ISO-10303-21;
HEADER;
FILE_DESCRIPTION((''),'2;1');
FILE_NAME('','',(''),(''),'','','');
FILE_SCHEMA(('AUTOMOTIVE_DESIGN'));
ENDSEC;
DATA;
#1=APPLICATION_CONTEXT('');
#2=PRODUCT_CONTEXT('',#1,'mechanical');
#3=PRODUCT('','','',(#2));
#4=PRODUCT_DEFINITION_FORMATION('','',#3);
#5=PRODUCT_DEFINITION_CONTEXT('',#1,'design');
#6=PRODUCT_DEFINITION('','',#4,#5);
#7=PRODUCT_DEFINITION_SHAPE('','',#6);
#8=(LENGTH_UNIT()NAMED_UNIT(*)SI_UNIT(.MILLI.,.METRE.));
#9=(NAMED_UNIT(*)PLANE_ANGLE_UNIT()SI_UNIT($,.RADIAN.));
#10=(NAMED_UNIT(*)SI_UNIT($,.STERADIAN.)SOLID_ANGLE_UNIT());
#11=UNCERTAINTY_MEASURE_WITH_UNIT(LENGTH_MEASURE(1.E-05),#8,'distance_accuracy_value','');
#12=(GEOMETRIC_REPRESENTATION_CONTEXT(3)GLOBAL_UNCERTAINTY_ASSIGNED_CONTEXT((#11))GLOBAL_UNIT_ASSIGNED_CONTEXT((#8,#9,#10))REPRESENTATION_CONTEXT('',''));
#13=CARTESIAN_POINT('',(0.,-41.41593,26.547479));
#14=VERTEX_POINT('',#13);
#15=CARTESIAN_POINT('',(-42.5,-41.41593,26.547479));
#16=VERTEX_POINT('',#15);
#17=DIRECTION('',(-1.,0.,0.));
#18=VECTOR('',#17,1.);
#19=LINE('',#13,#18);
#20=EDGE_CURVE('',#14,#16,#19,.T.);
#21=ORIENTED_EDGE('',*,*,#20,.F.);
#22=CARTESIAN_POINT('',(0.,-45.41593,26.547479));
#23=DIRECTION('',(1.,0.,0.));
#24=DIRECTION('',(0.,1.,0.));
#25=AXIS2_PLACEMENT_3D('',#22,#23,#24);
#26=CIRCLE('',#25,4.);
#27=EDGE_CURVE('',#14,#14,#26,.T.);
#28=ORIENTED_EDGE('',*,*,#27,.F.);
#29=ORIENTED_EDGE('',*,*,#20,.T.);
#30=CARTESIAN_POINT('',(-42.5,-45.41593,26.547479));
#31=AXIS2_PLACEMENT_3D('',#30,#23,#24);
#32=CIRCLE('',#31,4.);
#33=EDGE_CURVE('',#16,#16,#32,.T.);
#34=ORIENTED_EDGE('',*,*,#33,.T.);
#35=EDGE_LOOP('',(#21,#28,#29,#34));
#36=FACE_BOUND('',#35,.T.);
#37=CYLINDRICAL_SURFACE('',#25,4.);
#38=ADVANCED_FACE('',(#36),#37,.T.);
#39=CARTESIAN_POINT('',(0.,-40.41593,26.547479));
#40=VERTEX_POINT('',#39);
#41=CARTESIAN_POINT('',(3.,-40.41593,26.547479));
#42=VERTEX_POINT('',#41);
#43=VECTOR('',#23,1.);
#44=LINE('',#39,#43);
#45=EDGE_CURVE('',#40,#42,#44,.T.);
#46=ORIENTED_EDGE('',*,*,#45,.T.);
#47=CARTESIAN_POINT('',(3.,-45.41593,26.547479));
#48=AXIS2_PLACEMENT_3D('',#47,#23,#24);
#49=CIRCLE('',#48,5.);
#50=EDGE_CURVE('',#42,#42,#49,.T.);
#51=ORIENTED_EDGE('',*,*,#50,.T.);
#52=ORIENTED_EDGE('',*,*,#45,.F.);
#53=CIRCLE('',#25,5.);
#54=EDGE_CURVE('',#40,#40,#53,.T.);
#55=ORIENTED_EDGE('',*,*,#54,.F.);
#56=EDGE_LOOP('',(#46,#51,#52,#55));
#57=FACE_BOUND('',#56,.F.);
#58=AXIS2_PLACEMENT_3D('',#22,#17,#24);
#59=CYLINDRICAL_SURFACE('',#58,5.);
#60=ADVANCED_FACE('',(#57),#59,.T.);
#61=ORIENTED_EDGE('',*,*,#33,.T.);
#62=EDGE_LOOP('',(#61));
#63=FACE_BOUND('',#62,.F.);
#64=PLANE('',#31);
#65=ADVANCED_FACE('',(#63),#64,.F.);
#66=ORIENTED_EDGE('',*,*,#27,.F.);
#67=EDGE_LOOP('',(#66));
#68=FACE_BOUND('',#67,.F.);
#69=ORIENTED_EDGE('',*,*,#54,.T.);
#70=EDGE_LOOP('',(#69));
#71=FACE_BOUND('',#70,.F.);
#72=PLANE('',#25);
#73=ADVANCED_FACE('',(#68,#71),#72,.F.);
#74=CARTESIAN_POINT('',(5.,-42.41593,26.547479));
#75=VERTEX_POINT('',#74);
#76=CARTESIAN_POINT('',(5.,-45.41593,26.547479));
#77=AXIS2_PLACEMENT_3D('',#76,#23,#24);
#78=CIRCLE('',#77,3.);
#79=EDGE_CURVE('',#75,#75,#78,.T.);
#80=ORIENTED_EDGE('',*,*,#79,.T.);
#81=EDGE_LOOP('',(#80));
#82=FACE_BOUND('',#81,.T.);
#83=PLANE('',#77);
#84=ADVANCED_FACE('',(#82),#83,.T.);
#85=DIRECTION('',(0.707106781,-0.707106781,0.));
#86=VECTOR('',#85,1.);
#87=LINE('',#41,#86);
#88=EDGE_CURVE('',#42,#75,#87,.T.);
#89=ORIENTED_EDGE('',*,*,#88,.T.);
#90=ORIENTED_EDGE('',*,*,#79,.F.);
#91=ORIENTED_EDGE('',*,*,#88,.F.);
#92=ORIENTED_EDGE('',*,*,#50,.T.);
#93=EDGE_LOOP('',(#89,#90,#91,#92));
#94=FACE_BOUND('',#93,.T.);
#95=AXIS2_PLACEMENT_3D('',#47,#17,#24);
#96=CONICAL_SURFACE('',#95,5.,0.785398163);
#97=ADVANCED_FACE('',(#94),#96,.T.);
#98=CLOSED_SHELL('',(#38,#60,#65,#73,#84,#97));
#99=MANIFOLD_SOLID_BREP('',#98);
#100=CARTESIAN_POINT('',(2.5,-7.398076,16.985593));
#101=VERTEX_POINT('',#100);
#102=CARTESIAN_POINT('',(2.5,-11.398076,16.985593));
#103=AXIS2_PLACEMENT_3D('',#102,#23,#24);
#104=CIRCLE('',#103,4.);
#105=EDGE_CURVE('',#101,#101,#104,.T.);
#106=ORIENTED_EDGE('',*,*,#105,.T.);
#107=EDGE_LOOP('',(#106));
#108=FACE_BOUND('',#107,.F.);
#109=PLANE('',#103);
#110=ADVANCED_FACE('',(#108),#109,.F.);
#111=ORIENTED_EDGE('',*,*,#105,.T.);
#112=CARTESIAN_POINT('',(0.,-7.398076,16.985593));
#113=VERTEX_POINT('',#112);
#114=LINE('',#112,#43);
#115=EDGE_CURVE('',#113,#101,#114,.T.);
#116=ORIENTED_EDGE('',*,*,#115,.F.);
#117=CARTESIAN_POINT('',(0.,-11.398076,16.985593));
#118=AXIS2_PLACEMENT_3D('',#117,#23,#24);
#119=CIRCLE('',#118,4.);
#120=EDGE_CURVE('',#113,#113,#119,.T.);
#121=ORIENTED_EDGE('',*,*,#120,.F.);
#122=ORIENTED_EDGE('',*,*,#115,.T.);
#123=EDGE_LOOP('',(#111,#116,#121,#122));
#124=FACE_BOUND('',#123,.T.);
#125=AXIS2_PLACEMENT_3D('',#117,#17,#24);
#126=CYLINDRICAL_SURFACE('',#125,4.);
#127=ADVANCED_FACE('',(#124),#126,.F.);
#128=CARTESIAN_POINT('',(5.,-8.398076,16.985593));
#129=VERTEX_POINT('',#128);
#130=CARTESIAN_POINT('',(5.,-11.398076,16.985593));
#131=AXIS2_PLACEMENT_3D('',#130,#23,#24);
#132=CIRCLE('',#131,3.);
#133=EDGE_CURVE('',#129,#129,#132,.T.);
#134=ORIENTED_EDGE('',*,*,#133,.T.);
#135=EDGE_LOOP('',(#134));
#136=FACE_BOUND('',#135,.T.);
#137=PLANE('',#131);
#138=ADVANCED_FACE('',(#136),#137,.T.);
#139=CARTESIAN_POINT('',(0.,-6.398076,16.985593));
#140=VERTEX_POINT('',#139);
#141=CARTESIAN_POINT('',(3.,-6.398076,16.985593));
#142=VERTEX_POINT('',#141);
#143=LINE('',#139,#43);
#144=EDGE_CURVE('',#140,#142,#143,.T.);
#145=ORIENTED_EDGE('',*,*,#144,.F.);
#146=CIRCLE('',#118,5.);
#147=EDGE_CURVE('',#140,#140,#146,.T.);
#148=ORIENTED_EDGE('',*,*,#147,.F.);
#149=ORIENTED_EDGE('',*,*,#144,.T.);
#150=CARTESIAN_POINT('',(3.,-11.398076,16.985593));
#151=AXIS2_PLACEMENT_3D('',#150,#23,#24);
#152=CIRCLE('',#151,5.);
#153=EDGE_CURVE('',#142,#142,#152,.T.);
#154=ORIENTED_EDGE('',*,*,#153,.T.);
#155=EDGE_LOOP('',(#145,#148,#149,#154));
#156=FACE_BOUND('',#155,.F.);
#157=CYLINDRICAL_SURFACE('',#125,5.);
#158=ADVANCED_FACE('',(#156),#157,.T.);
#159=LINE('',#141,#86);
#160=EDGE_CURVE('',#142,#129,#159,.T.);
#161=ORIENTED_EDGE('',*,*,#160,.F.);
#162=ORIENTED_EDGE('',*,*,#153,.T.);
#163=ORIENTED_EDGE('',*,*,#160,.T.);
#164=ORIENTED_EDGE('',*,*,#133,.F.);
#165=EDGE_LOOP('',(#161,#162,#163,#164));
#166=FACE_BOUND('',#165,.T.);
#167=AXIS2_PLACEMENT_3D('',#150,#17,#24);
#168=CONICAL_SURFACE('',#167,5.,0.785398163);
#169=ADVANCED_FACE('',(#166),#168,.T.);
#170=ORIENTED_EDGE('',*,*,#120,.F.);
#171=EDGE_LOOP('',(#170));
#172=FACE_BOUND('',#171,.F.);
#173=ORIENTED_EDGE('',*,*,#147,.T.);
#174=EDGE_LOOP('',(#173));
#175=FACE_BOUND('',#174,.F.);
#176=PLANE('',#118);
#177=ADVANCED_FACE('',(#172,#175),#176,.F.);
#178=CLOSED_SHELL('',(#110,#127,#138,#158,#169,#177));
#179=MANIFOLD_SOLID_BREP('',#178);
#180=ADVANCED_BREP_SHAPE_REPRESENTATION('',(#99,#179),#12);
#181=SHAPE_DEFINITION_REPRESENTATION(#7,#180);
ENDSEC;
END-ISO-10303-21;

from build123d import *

# Parameters (mm, degrees)
F0_R      = 4
F1_DEPTH  = 42.5
F0_R_2    = 5
F1_FACE_R = 4
F2_DEPTH  = 5
F3_SIZE   = 2
F4_R      = 5
F4_R_2    = 4
F5_DEPTH  = 5
F6_DEPTH  = 2.5
F7_SIZE   = 2


with BuildPart() as f1:
    # F0 (on Right) → F1 (new body)
    with BuildSketch(Plane.YZ):
        with Locations((-45.41593, 26.547479)):
            Circle(F0_R)
    extrude(amount=-F1_DEPTH)

    # F0 (on Right) + F1_face (on face) → F2 (join)
    with BuildSketch(Plane.YZ):
        with Locations((-45.41593, 26.547479)):
            Circle(F0_R_2)
        with Locations((-45.41593, 26.547479)):
            Circle(F0_R, mode=Mode.SUBTRACT)
    with BuildSketch(Plane(origin=(0, -45.41593, 26.547479), x_dir=(0, 1, 0), z_dir=(1, 0, 0))):
        Circle(F1_FACE_R)
    extrude(amount=F2_DEPTH)

    # F3
    f3_edges = [f1.edges().sort_by_distance(p)[0] for p in [
        (5, -50.41593, 26.547479),
    ]]
    chamfer(f3_edges, length=F3_SIZE)


with BuildPart() as f5:
    # F4 (on Right) → F5 (new body)
    with BuildSketch(Plane.YZ):
        with Locations((-11.398076, 16.985593)):
            Circle(F4_R)
        with Locations((-11.398076, 16.985593)):
            Circle(F4_R_2, mode=Mode.SUBTRACT)
        with Locations((-11.398076, 16.985593)):
            Circle(F4_R_2)
    extrude(amount=F5_DEPTH)

    # F4 (on Right) → F6 (cut)
    with BuildSketch(Plane.YZ):
        with Locations((-11.398076, 16.985593)):
            Circle(F4_R_2)
    extrude(amount=F6_DEPTH, mode=Mode.SUBTRACT)

    # F7
    f7_edges = [f5.edges().sort_by_distance(p)[0] for p in [
        (5, -16.398076, 16.985593),
    ]]
    chamfer(f7_edges, length=F7_SIZE)


solid = Compound([f1.part, f5.part])
